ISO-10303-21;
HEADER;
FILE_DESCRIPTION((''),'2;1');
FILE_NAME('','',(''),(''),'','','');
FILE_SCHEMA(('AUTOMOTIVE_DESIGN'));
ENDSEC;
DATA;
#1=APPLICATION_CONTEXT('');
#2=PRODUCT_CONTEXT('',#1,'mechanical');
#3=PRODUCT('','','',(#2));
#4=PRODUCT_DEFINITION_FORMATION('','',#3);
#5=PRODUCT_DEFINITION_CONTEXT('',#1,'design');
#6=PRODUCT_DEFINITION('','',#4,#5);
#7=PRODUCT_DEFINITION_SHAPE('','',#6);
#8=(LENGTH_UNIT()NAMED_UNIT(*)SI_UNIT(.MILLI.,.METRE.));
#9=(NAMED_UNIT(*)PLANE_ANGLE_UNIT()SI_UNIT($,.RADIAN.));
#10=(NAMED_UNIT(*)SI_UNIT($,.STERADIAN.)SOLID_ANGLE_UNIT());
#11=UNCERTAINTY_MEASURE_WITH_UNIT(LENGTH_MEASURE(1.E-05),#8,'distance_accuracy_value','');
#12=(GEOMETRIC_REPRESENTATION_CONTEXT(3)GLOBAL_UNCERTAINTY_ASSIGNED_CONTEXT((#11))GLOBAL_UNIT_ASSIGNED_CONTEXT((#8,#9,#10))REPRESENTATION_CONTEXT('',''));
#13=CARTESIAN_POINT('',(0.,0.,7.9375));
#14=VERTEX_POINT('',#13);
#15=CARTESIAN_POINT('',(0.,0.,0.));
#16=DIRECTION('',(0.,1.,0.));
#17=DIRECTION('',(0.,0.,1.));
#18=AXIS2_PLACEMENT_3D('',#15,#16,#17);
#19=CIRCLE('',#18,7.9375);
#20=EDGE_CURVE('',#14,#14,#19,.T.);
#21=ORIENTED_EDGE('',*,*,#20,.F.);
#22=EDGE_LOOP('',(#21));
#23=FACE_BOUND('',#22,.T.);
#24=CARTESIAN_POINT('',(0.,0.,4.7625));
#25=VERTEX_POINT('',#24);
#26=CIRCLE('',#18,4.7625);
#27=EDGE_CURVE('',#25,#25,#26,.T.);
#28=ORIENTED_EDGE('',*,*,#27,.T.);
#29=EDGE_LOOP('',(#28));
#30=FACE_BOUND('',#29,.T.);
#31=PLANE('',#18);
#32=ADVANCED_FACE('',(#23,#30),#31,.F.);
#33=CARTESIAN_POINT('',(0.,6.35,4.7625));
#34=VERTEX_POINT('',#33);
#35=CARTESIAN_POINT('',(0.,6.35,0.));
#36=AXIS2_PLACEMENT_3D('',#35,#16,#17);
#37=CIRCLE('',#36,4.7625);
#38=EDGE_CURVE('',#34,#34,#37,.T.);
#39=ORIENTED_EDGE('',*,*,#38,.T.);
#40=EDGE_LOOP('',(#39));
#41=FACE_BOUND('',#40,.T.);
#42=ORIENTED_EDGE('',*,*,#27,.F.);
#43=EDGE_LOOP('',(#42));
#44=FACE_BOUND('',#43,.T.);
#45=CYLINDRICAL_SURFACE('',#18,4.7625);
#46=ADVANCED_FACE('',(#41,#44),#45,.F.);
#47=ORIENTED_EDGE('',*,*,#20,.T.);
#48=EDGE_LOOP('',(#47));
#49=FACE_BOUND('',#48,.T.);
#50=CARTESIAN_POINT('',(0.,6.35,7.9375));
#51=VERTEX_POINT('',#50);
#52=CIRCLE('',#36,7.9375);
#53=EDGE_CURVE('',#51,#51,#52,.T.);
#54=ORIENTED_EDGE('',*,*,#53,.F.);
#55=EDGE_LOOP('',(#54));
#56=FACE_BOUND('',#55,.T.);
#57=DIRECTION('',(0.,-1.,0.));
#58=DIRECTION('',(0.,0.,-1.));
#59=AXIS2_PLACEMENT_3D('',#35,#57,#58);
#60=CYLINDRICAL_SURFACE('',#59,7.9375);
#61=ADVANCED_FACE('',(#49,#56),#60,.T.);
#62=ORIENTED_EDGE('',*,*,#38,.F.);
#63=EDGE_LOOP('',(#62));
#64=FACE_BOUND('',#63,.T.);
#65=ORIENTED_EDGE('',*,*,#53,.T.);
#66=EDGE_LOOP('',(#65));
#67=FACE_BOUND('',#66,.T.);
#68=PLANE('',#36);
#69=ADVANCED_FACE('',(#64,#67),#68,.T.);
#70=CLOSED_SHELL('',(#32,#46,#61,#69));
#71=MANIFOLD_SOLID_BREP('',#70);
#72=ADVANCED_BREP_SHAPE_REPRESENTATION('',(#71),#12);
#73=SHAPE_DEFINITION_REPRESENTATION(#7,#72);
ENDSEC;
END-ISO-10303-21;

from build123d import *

# Parameters (mm, degrees)
SKETCH1_R           = 7.9375
BOSS_EXTRUDE1_DEPTH = 6.35
SKETCH2_R           = 4.7625
CUT_EXTRUDE1_DEPTH  = 7.35


with BuildPart() as part:
    # Sketch1 → Boss-Extrude1 (new body)
    with BuildSketch(Plane(origin=(0, 0, 0), x_dir=(1, 0, 0), z_dir=(0, 1, 0))):
        Circle(SKETCH1_R)
    extrude(amount=BOSS_EXTRUDE1_DEPTH)

    # Sketch2 → Cut-Extrude1 (cut, through all)
    with BuildSketch(Plane(origin=(0, 6.35, 0), x_dir=(1, 0, 0), z_dir=(0, 1, 0))):
        Circle(SKETCH2_R)
    extrude(amount=-CUT_EXTRUDE1_DEPTH, mode=Mode.SUBTRACT)


solid = part.part
